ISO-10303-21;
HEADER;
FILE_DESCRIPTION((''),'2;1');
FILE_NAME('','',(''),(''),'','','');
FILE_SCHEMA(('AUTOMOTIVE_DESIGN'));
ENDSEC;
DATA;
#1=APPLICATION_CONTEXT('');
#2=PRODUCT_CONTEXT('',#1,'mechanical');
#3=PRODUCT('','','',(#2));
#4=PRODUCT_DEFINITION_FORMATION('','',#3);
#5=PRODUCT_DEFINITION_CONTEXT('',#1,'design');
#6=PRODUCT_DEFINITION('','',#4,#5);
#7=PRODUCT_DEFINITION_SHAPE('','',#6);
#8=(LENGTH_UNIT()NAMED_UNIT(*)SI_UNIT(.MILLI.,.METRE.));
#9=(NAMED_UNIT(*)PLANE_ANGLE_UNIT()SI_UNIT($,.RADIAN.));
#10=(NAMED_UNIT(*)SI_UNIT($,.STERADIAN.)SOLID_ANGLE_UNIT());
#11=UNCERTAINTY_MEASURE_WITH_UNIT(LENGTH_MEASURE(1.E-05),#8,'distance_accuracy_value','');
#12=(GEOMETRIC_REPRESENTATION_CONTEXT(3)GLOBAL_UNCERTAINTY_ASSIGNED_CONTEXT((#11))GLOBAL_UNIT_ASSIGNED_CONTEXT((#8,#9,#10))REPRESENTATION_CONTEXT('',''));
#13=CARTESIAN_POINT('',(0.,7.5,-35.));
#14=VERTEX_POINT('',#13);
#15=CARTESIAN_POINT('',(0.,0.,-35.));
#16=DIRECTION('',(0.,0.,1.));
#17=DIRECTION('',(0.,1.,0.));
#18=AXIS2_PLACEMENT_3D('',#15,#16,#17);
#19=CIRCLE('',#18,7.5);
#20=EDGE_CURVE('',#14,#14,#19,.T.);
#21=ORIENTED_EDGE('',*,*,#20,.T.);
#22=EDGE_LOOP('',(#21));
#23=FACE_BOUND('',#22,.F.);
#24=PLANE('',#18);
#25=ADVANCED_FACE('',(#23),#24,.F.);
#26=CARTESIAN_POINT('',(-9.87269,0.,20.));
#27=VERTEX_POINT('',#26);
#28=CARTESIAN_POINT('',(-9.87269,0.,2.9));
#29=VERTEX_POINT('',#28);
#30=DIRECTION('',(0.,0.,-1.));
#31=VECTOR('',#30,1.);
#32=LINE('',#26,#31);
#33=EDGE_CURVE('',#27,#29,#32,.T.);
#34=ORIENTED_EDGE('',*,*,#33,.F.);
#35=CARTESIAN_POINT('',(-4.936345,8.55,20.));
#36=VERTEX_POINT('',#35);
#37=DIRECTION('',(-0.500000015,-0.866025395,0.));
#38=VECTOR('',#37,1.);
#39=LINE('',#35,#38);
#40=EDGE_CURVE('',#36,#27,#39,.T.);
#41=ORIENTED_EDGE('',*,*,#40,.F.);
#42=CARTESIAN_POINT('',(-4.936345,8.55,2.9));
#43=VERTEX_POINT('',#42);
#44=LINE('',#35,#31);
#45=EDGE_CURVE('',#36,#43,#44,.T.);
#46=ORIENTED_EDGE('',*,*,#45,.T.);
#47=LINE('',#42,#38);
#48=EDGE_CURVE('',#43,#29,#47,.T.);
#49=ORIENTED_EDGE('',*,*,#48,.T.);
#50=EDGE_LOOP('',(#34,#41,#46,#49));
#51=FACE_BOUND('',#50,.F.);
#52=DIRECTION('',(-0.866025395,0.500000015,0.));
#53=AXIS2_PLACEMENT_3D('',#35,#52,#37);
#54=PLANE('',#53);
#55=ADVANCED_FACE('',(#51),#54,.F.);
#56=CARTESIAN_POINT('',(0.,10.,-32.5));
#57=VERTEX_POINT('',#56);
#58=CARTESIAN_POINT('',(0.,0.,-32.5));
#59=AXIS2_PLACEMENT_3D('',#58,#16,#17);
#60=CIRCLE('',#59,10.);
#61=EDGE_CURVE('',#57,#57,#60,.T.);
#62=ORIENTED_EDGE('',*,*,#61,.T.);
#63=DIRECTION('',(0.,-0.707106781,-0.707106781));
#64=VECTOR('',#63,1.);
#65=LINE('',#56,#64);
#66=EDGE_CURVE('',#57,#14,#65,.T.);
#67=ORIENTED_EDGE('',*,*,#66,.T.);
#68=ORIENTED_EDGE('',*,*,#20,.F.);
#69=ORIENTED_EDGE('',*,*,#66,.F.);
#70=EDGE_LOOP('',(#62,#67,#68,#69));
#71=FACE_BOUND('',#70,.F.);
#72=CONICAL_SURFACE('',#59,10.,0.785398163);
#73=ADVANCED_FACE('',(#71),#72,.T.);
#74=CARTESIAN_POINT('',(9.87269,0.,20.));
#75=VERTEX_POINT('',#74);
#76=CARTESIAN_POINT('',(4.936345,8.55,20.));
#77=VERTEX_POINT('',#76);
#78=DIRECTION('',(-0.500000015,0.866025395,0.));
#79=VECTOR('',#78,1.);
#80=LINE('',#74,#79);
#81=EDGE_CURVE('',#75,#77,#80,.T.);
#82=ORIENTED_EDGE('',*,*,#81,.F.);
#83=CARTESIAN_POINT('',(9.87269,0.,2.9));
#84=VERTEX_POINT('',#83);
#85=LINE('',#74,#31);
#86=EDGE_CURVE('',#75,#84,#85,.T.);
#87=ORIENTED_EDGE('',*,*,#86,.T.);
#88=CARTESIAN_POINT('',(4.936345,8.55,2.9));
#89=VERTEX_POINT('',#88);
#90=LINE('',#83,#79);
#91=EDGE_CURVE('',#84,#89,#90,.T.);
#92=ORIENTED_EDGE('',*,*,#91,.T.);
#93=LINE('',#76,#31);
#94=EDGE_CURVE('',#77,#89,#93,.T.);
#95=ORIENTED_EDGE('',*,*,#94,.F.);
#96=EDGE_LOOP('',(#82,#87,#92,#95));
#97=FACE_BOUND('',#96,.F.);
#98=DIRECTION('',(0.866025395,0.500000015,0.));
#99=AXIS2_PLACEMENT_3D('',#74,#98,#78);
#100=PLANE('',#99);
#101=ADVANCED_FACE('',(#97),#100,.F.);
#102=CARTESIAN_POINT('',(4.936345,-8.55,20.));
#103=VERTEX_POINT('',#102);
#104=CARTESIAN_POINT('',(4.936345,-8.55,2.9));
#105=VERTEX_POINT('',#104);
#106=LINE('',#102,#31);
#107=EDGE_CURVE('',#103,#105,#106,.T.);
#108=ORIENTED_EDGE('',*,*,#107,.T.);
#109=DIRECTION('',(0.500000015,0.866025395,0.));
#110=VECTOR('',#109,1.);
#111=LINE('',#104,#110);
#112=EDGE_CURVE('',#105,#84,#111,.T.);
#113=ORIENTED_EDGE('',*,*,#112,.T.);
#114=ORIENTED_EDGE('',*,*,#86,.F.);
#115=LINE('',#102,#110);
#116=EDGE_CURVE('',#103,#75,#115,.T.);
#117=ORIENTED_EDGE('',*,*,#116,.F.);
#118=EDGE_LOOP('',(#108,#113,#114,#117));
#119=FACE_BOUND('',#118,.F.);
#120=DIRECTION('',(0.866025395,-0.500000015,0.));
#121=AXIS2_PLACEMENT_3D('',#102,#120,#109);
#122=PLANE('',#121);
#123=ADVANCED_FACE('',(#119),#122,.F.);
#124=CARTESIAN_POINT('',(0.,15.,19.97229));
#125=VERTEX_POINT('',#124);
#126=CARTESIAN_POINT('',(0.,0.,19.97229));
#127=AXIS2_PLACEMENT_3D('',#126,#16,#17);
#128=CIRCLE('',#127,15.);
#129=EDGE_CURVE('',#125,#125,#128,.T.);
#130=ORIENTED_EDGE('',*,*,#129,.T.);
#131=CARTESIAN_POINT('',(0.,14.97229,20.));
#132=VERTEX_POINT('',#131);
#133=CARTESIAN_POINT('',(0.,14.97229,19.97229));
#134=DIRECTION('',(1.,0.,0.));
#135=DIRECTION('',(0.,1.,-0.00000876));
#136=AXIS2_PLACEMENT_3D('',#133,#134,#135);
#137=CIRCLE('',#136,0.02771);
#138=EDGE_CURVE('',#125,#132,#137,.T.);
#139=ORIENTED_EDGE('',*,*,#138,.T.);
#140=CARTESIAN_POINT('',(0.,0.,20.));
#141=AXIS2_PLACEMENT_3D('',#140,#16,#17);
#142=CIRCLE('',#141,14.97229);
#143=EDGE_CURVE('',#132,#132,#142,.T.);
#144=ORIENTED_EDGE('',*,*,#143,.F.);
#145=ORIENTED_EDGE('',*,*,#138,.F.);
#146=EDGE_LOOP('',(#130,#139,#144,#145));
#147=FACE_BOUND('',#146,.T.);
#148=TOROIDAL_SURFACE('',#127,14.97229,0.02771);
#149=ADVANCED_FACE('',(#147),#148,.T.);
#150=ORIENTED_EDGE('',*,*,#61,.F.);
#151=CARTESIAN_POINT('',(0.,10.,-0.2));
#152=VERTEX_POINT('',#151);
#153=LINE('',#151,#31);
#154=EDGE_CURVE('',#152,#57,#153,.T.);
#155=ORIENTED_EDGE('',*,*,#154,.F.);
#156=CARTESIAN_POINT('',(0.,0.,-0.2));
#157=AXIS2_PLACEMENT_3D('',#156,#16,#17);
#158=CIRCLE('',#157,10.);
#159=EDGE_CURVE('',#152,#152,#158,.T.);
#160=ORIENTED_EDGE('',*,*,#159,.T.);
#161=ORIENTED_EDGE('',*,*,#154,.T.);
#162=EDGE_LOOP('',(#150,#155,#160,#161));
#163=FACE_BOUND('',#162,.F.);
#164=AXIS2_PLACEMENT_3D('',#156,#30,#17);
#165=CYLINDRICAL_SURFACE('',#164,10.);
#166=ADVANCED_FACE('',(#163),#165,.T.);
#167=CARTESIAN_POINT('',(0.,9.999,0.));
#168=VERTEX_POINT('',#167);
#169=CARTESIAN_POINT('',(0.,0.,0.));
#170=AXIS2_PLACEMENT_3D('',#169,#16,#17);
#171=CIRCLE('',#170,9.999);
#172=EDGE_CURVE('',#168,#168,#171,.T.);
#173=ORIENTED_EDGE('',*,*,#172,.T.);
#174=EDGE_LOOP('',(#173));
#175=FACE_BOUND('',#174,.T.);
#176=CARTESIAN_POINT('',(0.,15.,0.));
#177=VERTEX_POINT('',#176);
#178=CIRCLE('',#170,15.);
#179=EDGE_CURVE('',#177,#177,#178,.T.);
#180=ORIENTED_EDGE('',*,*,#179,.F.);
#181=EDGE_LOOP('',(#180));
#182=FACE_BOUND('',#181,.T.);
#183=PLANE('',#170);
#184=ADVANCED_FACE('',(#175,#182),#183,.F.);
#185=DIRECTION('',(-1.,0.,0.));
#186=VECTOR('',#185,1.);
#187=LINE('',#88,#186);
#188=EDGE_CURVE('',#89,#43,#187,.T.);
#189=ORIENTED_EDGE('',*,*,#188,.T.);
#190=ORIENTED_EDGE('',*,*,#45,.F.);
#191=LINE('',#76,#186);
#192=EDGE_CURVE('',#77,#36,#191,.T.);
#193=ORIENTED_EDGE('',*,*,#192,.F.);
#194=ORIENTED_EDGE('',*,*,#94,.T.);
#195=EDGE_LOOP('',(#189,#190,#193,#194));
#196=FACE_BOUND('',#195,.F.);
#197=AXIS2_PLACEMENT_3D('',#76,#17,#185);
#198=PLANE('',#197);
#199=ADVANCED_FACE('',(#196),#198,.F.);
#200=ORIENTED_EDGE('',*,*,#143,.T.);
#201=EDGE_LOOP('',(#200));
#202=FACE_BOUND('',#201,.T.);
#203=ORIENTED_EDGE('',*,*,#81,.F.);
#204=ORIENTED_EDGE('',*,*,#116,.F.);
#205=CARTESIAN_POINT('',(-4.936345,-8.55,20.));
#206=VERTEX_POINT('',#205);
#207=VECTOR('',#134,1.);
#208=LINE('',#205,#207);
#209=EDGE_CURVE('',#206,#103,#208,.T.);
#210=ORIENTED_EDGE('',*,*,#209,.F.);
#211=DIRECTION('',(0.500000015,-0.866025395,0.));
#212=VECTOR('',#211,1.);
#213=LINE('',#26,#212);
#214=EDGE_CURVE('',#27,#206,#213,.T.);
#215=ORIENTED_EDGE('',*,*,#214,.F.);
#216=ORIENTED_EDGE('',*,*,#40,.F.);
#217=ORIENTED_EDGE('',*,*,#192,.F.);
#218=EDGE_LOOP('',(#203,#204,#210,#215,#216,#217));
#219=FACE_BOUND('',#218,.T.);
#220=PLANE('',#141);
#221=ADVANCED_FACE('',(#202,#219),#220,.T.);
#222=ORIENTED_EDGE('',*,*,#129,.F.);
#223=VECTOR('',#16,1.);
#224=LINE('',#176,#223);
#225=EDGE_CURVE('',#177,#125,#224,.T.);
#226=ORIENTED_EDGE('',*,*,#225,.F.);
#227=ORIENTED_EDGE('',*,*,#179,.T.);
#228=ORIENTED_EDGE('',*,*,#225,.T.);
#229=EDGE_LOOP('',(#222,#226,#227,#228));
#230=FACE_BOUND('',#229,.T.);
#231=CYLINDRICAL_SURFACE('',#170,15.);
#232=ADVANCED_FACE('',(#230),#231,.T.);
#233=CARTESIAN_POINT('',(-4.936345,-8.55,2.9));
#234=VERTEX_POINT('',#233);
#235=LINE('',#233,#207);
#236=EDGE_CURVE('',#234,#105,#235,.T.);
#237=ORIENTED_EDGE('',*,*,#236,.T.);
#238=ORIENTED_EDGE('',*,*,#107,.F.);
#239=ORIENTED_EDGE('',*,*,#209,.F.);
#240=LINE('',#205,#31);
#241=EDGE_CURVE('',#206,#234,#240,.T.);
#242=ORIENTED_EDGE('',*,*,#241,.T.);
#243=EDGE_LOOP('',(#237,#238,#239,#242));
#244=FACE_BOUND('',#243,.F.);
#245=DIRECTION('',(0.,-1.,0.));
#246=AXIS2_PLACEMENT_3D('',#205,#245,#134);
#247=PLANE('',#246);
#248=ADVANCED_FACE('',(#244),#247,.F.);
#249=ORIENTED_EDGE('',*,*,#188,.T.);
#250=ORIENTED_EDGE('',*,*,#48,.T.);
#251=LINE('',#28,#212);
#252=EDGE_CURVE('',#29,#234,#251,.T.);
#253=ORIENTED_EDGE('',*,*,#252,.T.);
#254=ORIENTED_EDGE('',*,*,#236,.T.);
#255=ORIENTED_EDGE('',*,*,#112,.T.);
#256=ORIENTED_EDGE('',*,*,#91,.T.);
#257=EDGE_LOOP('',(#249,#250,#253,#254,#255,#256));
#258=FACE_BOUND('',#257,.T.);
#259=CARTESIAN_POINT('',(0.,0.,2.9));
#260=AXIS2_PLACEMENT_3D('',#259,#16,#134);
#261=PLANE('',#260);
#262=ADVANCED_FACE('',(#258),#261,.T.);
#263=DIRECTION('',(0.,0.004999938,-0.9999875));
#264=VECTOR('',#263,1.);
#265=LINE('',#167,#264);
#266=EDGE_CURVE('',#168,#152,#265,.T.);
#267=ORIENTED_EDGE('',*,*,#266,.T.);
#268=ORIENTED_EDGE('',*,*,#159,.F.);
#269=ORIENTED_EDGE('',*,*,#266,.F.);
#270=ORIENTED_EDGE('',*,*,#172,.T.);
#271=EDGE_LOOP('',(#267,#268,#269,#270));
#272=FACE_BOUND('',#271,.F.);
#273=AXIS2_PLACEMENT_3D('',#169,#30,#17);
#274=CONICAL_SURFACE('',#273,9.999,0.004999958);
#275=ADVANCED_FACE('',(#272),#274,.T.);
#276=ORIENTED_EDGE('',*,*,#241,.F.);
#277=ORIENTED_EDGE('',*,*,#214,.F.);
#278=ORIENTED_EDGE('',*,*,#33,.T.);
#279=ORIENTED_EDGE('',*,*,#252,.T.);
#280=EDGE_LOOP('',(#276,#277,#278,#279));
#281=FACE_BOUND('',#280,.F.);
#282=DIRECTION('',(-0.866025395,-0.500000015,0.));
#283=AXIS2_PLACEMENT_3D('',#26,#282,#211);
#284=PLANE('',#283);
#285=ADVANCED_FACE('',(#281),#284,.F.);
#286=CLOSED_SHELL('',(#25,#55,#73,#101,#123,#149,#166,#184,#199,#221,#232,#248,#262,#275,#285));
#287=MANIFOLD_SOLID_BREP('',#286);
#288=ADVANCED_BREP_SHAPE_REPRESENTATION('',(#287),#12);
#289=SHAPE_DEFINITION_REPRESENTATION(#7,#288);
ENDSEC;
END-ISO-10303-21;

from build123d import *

# Parameters (mm, degrees)
POCKET_DEPTH = 17.1


with BuildPart() as part:
    # Sketch → Revolve (revolve)
    with BuildSketch(Plane.YZ):
        with BuildLine():
            Line((9.999, 0), (15, 0))
            Line((15, 0), (15, 19.97229))
            ThreePointArc((15, 19.97229), (14.991884, 19.991884), (14.97229, 20))
            Line((14.97229, 20), (0, 20))
            Line((0, -35), (0, 20))
            Line((7.5, -35), (0, -35))
            Line((10, -32.5), (7.5, -35))
            Line((10, -0.2), (10, -32.5))
            Line((9.999, 0), (10, -0.2))
        make_face()
    revolve(axis=Axis((0, 0, 0), (0, 0, 1)))

    # Sketch001 → Pocket (cut)
    with BuildSketch(Plane.XY.offset(20)):
        Polygon((9.87269, 0), (4.936345, 8.55), (-4.936345, 8.55), (-9.87269, 0), (-4.936345, -8.55), (4.936345, -8.55), align=None)
    extrude(amount=-POCKET_DEPTH, mode=Mode.SUBTRACT)


solid = part.part
